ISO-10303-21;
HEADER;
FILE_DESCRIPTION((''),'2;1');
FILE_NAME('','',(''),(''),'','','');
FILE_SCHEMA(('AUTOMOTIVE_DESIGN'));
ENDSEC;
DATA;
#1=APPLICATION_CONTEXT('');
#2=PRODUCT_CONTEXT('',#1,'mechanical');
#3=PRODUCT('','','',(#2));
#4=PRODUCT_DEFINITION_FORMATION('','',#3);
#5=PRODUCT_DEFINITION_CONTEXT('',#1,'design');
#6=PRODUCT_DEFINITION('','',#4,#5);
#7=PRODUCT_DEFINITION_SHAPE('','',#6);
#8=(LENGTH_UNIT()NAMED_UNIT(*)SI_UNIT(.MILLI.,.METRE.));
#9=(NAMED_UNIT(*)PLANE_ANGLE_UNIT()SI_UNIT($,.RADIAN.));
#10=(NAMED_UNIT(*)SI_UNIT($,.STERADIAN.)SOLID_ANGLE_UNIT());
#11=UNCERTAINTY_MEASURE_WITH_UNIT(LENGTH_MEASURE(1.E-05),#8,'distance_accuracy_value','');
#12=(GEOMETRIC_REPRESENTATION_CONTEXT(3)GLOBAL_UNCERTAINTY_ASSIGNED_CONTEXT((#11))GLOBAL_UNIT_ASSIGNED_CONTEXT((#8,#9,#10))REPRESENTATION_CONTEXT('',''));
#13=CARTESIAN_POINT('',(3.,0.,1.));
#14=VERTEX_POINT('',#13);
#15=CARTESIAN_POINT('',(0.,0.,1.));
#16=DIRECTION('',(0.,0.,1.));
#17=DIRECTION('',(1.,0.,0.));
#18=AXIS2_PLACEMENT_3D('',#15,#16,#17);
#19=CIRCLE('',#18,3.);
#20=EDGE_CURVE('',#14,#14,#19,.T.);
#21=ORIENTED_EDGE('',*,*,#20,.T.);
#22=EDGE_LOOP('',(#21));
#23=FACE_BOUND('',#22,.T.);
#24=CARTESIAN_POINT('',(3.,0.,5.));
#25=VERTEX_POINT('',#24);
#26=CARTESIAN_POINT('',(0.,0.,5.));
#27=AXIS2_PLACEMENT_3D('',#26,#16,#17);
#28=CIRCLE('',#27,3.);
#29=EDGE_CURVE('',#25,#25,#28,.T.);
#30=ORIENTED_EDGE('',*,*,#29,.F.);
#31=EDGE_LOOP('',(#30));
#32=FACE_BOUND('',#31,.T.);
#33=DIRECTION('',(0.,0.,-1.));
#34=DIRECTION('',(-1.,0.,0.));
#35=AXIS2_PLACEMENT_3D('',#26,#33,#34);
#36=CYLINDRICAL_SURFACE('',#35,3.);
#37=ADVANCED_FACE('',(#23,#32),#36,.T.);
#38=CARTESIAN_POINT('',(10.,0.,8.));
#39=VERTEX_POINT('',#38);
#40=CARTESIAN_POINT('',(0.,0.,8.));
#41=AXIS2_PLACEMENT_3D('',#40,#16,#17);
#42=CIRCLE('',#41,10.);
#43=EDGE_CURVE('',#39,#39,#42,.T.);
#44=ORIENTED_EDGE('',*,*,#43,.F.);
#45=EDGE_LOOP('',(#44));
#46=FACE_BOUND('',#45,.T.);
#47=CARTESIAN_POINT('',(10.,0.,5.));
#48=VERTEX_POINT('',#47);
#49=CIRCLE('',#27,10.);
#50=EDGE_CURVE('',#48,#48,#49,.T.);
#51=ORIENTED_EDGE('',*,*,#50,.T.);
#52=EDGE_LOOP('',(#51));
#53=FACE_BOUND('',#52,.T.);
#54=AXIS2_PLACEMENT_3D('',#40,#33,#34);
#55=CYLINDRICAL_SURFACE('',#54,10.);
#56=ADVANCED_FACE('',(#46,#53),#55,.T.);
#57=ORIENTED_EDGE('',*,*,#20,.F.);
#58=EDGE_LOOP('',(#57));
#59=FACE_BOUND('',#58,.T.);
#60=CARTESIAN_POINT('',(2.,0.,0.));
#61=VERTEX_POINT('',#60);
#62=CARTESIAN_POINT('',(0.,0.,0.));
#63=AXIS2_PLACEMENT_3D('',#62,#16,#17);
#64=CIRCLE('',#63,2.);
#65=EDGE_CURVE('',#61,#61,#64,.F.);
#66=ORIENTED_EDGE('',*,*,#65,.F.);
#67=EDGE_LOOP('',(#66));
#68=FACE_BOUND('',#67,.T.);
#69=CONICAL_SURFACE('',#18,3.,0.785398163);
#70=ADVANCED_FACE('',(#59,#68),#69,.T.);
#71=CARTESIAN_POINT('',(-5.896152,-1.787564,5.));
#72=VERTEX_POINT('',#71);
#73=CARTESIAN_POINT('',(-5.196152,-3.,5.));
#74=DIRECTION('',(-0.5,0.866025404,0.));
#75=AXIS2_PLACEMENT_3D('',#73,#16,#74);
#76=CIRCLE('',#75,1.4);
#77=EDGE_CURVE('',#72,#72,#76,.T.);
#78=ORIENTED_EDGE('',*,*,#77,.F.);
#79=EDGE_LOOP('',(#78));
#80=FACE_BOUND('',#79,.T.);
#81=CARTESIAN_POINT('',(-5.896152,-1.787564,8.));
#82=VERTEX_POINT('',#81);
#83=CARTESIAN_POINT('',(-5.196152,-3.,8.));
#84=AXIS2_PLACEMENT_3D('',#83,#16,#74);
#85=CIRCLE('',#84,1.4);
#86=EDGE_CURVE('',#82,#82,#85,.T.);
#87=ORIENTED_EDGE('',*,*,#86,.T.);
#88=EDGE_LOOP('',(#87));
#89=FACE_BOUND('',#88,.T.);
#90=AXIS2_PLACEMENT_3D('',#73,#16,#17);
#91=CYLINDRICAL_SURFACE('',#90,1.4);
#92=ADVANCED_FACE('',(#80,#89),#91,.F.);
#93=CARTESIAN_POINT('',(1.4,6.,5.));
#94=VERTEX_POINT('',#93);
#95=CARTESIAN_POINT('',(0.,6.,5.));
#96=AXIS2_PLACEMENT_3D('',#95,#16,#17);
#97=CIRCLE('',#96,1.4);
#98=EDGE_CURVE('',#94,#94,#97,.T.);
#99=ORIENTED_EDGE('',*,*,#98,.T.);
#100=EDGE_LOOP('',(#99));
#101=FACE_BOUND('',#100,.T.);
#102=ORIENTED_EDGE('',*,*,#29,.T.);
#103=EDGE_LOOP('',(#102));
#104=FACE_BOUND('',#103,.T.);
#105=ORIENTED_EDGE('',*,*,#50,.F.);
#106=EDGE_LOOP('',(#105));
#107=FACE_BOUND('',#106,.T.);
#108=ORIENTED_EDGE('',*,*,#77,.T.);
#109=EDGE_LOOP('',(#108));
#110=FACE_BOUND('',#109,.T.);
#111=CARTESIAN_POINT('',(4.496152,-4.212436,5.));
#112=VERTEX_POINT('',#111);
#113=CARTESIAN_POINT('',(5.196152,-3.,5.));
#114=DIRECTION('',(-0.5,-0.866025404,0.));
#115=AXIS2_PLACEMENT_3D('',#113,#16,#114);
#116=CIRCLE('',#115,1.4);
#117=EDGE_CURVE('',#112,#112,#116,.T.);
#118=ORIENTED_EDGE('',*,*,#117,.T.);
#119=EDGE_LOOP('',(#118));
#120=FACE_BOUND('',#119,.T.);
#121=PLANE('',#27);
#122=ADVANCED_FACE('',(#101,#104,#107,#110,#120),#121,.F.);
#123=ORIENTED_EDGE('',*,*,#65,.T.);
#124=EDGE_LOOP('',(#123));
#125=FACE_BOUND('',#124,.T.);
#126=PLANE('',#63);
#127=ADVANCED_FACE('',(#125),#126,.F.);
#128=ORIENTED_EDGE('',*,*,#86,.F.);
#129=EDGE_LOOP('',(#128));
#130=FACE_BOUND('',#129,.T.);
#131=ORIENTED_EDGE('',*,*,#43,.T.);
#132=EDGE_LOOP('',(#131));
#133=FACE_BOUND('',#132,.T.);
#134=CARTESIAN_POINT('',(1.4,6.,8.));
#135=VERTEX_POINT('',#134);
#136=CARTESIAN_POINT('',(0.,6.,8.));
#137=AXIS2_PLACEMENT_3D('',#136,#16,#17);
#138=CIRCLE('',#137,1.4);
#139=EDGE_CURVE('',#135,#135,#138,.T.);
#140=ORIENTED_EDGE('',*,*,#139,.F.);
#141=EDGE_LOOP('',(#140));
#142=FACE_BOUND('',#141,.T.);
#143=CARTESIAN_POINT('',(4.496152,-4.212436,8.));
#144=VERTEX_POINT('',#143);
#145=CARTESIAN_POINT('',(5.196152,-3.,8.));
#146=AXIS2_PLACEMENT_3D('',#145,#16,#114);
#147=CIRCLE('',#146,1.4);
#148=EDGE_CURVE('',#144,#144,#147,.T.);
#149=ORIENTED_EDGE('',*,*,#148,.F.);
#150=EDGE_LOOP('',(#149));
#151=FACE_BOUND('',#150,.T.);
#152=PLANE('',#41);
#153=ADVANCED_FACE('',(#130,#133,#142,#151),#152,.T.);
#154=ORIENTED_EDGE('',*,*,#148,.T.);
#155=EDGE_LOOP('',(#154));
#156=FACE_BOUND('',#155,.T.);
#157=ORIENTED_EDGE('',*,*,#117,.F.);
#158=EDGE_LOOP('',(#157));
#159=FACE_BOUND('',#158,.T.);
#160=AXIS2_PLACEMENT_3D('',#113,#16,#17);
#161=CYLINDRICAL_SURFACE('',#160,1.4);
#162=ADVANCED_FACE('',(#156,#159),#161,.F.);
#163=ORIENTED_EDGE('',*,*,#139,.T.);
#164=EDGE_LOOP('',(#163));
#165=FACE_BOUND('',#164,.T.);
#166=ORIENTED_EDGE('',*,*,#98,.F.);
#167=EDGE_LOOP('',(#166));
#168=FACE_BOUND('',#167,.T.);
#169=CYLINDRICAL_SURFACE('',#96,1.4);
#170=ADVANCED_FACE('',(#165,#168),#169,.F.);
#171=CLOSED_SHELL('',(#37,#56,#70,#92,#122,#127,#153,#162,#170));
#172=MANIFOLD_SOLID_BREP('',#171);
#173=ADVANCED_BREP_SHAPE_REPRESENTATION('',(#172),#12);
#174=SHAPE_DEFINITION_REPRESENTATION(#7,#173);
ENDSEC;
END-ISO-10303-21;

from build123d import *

# Parameters (mm, degrees)
SKETCH1_R           = 3
BOSS_EXTRUDE1_DEPTH = 5
SKETCH2_R           = 10
BOSS_EXTRUDE2_DEPTH = 3
SKETCH3_R           = 1.4
CUT_EXTRUDE1_DEPTH  = 3
CIRPATTERN1_COUNT   = 3
CHAMFER1_SIZE       = 1


with BuildPart() as part:
    # Sketch1 → Boss-Extrude1 (new body)
    with BuildSketch(Plane.XY):
        Circle(SKETCH1_R)
    extrude(amount=BOSS_EXTRUDE1_DEPTH)

    # Sketch2 → Boss-Extrude2 (add)
    with BuildSketch(Plane.XY.offset(5)):
        Circle(SKETCH2_R)
    extrude(amount=BOSS_EXTRUDE2_DEPTH)

    # Sketch3 → Cut-Extrude1 (cut)
    with BuildSketch(Plane.XY.offset(8)):
        with Locations((0, 6)):
            Circle(SKETCH3_R)
    cut_extrude1 = extrude(amount=-CUT_EXTRUDE1_DEPTH, mode=Mode.SUBTRACT)

    # CirPattern1: Cut-Extrude1 ×3 about axis
    cirpattern1_axis = Axis((0, 0, 0), (0, 0, 1))
    for i in range(1, CIRPATTERN1_COUNT):
        add(cut_extrude1.rotate(cirpattern1_axis, i * 360 / CIRPATTERN1_COUNT), mode=Mode.SUBTRACT)

    # Chamfer1
    chamfer1_edges = [part.edges().sort_by_distance(p)[0] for p in [
        (-3, 0, 0),
    ]]
    chamfer(chamfer1_edges, length=CHAMFER1_SIZE)


solid = part.part
